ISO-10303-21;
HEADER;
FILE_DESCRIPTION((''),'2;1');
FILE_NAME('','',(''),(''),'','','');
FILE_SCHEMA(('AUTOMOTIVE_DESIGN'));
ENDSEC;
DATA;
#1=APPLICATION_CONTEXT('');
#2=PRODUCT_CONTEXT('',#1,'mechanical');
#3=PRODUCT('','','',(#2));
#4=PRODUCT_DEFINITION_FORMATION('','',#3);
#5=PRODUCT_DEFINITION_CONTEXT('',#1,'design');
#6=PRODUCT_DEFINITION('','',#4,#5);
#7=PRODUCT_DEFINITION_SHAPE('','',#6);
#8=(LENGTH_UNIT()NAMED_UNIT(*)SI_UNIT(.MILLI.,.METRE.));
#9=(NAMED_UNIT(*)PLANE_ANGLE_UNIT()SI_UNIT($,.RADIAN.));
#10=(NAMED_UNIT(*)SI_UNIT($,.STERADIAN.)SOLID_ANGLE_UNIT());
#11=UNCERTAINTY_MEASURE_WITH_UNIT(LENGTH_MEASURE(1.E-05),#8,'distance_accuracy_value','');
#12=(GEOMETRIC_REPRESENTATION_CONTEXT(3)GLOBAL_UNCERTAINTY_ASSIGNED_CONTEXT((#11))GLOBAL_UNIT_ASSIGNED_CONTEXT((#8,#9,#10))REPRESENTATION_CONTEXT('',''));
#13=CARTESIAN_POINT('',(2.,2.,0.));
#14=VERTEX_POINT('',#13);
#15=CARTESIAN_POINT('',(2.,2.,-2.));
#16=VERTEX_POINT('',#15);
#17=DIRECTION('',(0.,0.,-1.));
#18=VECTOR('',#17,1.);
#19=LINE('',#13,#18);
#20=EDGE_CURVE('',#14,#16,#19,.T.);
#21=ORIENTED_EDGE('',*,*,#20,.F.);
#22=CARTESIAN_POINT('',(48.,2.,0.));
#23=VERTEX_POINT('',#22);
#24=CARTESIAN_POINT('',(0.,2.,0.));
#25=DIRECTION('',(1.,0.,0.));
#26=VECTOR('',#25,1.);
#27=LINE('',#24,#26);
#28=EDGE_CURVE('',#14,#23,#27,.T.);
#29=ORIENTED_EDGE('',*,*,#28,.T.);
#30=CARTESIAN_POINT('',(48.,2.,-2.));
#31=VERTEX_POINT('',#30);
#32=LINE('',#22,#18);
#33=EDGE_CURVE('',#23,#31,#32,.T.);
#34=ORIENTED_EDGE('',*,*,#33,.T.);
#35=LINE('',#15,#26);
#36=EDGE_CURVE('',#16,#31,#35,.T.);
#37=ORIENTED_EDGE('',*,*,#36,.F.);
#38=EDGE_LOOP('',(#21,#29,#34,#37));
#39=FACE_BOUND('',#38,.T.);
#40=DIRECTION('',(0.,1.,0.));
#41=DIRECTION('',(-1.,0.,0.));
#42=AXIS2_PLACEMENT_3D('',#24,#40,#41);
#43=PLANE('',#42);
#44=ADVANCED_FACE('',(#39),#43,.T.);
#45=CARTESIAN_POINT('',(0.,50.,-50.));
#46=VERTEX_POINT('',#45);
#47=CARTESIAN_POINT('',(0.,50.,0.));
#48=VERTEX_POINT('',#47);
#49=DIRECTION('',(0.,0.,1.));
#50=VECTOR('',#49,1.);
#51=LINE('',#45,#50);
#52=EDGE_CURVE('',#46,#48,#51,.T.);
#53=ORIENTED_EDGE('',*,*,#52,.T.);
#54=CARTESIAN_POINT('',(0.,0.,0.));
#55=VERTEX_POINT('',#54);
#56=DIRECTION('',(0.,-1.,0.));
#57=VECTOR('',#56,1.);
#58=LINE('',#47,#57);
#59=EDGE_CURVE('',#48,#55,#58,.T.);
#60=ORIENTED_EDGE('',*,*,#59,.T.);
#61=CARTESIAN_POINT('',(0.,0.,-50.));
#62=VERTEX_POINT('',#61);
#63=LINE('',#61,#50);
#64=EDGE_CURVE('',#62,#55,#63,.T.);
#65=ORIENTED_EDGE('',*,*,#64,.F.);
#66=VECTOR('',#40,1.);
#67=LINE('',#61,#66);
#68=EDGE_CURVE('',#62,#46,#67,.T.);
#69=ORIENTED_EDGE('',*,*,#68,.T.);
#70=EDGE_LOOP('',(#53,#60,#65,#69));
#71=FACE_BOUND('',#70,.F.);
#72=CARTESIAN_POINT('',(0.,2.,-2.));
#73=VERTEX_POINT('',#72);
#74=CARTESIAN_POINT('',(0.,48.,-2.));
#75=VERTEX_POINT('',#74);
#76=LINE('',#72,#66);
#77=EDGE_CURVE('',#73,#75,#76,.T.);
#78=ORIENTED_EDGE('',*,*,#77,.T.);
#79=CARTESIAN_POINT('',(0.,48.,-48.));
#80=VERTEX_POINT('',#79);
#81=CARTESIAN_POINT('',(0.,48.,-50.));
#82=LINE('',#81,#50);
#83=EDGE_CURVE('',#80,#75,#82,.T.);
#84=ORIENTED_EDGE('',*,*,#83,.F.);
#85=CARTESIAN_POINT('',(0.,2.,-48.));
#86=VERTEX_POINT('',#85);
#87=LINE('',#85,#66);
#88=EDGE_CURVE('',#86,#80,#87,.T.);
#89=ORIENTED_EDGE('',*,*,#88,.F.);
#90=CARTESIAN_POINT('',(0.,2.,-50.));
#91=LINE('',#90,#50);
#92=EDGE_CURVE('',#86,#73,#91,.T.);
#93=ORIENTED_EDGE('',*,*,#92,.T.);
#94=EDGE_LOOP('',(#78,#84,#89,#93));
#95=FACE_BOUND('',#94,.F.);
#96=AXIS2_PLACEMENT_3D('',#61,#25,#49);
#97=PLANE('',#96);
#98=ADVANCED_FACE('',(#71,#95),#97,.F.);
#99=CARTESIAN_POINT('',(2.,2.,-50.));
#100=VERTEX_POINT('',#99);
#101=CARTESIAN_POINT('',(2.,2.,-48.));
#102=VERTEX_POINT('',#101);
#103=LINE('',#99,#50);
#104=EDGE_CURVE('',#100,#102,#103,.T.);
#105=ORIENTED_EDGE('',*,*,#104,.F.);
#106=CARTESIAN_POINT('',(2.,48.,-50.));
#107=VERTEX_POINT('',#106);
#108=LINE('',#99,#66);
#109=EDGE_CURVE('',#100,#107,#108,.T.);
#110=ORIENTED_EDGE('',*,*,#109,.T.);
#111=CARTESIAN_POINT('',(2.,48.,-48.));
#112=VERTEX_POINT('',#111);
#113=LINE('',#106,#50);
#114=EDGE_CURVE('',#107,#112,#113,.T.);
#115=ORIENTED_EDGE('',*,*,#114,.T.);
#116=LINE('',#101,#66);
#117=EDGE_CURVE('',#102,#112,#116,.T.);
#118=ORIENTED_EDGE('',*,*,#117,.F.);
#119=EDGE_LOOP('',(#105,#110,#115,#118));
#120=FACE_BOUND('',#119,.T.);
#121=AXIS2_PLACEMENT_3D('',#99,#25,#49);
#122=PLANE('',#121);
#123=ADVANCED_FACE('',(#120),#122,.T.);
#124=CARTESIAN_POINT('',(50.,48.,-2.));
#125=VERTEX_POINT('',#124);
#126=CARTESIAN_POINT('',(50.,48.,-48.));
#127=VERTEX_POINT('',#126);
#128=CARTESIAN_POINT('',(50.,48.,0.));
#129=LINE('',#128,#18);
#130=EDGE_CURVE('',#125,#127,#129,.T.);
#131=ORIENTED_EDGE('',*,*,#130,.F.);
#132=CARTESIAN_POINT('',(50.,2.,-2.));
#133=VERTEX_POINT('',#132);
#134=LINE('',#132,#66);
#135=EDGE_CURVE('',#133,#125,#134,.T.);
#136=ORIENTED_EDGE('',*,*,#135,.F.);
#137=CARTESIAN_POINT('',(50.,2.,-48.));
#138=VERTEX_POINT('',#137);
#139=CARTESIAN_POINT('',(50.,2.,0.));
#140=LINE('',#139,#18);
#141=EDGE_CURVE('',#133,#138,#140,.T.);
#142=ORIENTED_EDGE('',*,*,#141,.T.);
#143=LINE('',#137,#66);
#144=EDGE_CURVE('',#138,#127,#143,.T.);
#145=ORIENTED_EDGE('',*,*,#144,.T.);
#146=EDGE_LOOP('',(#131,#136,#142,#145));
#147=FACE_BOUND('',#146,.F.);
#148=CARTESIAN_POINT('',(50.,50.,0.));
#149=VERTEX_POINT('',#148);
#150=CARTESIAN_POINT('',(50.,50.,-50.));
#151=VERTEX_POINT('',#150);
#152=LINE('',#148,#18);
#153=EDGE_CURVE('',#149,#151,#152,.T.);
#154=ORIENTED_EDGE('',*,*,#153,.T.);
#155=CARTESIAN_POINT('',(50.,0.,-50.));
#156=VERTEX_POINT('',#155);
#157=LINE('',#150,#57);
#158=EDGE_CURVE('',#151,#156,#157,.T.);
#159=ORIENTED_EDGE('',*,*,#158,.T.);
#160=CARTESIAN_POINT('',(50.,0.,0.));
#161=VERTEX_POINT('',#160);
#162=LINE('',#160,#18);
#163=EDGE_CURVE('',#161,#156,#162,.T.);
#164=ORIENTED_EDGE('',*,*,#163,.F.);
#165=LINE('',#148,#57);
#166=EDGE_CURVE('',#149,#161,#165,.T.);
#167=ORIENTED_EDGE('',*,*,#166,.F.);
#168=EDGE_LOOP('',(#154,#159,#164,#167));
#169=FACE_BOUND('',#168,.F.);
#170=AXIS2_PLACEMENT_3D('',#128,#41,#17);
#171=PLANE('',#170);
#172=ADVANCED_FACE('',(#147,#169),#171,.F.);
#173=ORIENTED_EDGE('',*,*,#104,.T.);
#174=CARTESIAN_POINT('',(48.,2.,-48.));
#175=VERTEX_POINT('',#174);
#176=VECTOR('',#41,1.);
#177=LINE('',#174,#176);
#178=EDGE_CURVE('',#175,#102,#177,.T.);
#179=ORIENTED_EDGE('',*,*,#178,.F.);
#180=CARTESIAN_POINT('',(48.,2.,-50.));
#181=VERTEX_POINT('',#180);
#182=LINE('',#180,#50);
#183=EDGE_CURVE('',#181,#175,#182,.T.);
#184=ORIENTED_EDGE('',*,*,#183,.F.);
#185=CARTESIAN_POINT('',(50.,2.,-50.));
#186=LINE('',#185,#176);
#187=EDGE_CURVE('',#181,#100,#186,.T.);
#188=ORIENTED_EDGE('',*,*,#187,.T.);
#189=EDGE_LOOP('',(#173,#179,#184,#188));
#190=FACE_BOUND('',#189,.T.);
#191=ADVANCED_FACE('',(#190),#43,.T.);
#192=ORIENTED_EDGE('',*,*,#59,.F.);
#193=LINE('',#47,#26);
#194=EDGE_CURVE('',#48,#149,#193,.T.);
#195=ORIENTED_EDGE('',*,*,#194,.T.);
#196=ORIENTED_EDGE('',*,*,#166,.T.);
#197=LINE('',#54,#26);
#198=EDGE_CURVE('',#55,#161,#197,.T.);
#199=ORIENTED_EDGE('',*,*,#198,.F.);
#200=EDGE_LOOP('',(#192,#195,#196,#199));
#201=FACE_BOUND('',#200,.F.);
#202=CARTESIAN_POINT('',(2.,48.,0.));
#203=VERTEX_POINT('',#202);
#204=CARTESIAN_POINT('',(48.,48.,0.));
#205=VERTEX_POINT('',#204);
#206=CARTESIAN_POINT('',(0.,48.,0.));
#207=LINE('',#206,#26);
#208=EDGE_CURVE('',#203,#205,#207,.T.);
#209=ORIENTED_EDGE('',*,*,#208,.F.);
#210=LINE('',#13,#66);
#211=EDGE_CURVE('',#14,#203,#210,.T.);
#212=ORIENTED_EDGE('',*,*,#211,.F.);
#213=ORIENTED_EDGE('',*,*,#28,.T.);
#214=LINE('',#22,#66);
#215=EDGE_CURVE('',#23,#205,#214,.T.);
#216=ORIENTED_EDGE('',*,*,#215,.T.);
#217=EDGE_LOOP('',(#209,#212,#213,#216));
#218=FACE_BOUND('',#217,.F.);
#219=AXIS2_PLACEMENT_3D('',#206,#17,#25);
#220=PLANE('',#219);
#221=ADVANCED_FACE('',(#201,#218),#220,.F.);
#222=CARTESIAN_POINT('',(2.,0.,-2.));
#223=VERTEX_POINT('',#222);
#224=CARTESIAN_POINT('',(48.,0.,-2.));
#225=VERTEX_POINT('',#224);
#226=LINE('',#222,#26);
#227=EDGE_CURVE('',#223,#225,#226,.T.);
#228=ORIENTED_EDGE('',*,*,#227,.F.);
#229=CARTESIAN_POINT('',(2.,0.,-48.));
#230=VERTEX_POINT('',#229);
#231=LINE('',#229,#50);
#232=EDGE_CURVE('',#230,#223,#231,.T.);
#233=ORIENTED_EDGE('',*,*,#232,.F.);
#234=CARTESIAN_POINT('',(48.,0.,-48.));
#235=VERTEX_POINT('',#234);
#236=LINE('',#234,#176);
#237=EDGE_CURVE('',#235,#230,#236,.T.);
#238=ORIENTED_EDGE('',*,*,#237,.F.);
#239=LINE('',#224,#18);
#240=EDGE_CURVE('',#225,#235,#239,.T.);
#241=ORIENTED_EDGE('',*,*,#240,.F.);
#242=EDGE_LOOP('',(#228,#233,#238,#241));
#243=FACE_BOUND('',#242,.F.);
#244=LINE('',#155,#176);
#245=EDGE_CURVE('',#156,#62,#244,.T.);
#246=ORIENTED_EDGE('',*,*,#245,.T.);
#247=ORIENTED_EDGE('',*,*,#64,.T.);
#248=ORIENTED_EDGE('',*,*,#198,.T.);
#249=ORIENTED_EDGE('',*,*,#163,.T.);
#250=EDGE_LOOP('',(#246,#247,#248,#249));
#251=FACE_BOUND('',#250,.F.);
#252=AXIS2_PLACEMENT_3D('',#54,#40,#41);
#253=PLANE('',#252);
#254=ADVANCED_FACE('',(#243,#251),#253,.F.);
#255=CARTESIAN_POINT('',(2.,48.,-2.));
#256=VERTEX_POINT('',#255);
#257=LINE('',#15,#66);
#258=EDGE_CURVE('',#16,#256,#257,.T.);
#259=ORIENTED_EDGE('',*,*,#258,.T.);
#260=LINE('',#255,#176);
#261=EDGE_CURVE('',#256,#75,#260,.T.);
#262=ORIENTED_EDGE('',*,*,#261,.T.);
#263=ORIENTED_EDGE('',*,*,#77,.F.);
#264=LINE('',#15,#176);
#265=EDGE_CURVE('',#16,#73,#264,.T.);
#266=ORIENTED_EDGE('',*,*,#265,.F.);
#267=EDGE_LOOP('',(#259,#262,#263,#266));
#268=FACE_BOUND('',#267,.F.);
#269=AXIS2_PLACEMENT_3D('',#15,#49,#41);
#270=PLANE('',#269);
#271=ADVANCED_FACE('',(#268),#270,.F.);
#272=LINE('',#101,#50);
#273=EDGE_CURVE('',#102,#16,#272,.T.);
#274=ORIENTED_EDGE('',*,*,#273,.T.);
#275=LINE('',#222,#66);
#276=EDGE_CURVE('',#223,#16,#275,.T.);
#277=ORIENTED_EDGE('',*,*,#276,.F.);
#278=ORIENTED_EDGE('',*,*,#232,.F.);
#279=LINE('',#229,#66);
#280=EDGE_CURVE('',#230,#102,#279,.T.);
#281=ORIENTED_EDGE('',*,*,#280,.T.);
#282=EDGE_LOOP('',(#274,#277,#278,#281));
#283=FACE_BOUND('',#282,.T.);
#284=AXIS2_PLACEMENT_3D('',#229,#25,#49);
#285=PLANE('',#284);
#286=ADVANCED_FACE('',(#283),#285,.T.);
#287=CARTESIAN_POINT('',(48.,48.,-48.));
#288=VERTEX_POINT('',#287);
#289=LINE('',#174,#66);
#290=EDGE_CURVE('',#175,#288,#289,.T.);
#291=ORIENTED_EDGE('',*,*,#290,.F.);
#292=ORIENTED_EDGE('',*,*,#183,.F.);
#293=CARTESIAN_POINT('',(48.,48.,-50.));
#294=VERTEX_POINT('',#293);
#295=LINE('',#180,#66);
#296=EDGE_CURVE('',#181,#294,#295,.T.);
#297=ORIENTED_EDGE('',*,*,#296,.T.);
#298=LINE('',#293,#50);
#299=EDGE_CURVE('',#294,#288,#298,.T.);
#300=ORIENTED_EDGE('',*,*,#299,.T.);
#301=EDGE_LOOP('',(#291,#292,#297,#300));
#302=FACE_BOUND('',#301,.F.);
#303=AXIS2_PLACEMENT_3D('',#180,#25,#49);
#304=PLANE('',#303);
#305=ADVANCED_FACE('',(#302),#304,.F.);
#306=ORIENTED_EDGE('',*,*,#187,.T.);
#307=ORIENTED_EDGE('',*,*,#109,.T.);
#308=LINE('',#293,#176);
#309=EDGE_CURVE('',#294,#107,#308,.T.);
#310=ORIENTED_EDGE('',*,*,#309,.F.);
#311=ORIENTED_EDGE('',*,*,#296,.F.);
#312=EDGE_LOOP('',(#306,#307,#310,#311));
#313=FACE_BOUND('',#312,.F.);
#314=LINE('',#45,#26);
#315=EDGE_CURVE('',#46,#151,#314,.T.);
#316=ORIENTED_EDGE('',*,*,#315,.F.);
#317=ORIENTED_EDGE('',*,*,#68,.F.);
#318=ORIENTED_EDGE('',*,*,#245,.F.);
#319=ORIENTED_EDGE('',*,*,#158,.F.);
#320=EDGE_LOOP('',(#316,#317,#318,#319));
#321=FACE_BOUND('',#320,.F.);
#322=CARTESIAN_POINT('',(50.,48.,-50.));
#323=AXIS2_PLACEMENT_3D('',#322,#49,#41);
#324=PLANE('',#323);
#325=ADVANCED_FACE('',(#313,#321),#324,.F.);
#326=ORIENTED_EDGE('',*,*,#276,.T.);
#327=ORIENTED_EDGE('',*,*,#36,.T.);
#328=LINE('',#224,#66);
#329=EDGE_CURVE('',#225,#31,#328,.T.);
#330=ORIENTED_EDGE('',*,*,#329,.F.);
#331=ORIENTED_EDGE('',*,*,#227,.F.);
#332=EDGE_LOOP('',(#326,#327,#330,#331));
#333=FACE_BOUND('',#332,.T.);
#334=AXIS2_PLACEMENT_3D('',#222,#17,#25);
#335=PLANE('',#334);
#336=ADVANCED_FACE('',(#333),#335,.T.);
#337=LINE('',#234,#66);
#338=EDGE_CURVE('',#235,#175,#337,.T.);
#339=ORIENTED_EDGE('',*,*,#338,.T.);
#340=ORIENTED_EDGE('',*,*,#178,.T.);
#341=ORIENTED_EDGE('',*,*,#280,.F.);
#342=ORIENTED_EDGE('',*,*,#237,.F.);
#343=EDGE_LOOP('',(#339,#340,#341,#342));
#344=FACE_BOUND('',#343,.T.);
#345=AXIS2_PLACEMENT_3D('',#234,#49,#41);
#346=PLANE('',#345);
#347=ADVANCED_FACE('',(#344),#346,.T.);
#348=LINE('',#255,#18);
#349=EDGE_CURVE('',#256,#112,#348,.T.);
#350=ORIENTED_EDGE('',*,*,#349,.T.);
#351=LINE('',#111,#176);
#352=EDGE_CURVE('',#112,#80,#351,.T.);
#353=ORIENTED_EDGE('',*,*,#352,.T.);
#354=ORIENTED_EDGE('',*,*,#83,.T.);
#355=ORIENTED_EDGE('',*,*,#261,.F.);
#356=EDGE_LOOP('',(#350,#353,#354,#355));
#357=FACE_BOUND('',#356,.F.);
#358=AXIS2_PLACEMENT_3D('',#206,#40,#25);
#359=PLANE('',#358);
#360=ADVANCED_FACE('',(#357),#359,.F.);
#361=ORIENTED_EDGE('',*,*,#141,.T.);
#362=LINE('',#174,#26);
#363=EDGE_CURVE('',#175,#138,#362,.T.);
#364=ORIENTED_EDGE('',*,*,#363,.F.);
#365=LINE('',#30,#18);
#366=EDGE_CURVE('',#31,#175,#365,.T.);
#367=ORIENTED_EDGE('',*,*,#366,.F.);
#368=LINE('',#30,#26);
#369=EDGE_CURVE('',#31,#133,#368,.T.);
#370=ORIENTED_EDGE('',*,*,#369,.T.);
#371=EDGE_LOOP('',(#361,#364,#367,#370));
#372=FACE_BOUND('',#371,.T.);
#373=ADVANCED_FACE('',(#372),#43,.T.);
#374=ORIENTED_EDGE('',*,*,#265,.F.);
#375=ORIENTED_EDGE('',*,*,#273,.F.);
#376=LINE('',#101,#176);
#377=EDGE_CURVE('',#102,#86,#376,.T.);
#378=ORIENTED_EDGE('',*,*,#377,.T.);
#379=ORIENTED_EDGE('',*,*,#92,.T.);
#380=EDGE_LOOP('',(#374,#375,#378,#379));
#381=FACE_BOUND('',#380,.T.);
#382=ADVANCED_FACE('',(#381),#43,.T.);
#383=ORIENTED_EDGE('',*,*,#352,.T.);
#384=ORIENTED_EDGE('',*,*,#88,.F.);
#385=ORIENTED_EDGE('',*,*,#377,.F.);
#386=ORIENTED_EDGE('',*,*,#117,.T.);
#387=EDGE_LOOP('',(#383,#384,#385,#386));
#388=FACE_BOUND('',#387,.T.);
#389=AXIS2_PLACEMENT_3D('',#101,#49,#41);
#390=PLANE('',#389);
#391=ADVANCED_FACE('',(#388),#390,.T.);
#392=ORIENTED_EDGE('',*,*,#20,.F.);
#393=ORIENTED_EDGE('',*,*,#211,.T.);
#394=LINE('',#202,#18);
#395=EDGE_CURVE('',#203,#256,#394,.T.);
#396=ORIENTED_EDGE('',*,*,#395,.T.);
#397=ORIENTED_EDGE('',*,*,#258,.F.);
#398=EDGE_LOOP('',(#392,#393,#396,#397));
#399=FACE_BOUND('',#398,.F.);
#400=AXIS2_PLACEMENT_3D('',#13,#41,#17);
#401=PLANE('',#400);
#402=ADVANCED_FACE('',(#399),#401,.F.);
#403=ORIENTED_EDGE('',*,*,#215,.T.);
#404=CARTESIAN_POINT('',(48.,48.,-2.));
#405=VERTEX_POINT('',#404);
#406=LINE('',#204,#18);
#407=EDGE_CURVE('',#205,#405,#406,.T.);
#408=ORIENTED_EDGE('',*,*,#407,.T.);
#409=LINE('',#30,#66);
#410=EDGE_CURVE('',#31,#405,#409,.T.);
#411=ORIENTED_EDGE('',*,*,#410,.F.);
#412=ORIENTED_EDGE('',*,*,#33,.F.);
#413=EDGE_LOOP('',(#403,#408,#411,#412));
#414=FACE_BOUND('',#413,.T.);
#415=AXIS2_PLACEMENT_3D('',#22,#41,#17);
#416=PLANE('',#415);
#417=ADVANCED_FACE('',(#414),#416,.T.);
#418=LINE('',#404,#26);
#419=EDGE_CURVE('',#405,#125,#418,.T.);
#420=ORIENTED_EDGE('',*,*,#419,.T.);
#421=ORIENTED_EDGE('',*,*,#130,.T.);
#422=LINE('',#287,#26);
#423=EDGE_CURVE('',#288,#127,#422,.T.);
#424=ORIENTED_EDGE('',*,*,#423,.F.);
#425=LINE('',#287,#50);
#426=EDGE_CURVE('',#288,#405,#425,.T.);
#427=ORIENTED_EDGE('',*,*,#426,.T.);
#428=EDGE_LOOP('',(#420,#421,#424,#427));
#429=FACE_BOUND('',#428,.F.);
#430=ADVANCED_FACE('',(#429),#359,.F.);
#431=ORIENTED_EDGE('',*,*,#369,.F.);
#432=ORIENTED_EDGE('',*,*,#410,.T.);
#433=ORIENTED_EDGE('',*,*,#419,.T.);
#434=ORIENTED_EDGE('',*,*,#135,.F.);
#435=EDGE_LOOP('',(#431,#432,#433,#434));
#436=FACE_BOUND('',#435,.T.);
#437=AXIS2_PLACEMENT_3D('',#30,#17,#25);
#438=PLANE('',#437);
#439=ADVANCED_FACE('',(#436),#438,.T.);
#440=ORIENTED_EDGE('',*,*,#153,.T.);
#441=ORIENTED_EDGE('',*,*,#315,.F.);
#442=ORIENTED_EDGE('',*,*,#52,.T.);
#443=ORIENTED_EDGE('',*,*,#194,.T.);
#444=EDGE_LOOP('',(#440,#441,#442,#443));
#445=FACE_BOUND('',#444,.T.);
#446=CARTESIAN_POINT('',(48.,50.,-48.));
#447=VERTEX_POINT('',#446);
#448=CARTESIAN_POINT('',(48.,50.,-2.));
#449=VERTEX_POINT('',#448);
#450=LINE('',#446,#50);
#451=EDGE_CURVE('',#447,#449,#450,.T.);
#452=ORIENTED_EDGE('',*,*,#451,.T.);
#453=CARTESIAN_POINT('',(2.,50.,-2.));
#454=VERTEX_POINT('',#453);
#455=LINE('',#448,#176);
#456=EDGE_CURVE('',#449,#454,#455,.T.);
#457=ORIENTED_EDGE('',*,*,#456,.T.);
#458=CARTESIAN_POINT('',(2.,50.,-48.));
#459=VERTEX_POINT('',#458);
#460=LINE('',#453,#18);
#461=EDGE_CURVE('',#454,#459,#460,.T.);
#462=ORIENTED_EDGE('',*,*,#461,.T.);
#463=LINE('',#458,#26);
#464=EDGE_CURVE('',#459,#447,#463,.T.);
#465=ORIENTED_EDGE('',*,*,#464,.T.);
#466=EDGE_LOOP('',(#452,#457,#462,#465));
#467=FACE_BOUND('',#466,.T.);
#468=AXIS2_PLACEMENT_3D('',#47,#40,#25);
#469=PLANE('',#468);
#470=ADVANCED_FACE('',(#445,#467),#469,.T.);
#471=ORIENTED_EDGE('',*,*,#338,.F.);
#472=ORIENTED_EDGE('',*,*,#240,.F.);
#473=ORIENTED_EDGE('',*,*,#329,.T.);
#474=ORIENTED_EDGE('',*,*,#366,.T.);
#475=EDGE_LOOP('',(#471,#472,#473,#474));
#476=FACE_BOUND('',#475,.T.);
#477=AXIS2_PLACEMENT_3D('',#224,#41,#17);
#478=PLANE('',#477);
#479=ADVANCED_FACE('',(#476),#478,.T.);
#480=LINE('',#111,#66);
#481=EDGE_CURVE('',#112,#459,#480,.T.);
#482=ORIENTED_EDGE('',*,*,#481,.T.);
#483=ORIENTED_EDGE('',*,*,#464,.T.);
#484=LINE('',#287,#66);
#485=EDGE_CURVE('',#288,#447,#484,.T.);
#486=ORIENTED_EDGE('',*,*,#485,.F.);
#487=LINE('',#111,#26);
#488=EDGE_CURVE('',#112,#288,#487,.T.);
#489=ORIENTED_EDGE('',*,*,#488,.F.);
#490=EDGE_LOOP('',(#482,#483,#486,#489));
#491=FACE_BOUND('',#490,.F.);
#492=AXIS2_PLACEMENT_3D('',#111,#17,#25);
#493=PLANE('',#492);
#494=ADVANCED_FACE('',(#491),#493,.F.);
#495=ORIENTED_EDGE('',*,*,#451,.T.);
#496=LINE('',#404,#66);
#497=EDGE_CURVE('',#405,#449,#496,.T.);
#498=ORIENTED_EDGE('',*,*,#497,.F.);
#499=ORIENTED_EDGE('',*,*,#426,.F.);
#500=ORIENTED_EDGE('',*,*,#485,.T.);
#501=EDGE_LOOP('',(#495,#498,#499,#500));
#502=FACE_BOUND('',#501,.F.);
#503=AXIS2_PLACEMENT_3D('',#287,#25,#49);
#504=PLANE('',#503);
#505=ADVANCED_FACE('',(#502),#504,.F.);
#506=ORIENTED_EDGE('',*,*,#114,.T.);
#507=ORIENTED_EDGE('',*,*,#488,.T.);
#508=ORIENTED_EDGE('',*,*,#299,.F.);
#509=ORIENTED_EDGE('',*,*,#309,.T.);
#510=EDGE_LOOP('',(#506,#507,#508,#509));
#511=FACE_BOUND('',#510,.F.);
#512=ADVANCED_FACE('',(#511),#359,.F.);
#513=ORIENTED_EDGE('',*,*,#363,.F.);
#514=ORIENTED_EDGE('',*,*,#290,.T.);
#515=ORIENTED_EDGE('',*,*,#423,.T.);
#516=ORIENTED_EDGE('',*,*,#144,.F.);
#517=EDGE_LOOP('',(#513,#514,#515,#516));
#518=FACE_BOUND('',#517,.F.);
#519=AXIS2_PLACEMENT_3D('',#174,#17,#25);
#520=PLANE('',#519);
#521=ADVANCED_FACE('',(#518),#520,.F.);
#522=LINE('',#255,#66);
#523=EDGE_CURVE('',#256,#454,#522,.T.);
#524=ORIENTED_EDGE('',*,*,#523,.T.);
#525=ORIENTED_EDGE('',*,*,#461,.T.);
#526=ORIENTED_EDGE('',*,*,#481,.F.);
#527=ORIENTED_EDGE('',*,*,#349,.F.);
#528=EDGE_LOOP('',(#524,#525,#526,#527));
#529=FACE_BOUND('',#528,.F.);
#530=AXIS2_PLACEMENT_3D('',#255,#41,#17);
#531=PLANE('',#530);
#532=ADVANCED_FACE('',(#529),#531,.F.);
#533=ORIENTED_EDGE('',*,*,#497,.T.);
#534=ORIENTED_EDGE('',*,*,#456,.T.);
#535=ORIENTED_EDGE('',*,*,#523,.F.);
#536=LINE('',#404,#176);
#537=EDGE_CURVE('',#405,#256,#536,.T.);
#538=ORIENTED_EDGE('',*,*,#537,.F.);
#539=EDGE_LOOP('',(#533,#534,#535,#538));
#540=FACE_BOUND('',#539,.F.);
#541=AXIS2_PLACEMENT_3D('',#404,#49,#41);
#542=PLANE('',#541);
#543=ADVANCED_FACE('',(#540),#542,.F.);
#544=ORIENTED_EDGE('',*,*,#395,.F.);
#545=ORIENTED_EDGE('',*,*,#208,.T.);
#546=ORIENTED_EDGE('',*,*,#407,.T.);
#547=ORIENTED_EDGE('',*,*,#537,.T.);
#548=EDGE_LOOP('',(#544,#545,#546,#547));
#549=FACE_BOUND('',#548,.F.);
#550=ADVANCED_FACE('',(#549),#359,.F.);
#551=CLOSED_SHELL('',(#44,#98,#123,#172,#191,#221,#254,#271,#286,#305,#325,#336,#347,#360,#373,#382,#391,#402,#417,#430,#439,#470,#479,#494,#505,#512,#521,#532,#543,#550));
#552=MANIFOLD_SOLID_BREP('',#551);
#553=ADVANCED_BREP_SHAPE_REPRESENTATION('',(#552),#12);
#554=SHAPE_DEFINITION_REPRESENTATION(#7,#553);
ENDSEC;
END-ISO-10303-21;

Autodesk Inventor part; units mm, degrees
ref_plane "YZ Plane" through (0, 0, 0) normal (1, 0, 0) x (0, 1, 0)
ref_plane "XZ Plane" through (0, 0, 0) normal (0, 1, 0) x (-1, 0, 0)
ref_plane "XY Plane" through (0, 0, 0) normal (0, 0, 1) x (1, 0, 0)
sketch "Szkic1" plane through (0, 0, 0) normal (0, 1, 0) x (-1, 0, 0)
  line L0 (0, 0) -> (-50, 0)
  line L1 (-50, 0) -> (-50, -50)
  line L2 (-50, -50) -> (0, -50)
  line L3 (0, -50) -> (0, 0)
  line L4 (-2, -2) -> (-48, -2)
  line L5 (-48, -2) -> (-48, -48)
  line L6 (-48, -48) -> (-2, -48)
  line L7 (-2, -48) -> (-2, -2)
  dimension "d0" = 50
  dimension "d1" = 50
  dimension "d2" = 2
extrude "Wyciągnięcie proste1" add sketch "Szkic1" along normal blind 2
sketch "Szkic2" plane through (0, 2, 0) normal (0, 1, 0) x (1, 0, 0)
  line L0 (50, 0) -> (50, 50) projected
  line L1 (50, 50) -> (0, 50) projected
  line L2 (0, 50) -> (0, 0) projected
  line L3 (0, 0) -> (50, 0) projected
  line L4 (2, 2) -> (2, 48) projected
  line L5 (2, 48) -> (48, 48) projected
  line L6 (48, 48) -> (48, 2) projected
  line L7 (48, 2) -> (2, 2) projected
  line L8 (0, 50) -> (0, 0) projected
  line L9 (0, 0) -> (2, 0)
  line L10 (2, 0) -> (2, 2)
  line L11 (2, 2) -> (0, 2)
  line L12 (0, 2) -> (0, 0)
  line L13 (2, 48) -> (0, 48)
  line L14 (0, 48) -> (0, 50)
  line L15 (0, 50) -> (2, 50)
  line L16 (2, 50) -> (2, 48)
  line L17 (0, 0) -> (50, 0) projected
  line L18 (50, 0) -> (48, 0)
  line L19 (48, 0) -> (48, 2)
  line L20 (48, 2) -> (50, 2)
  line L21 (50, 2) -> (50, 0)
  line L22 (2, 48) -> (48, 48) projected
  line L23 (48, 48) -> (50, 48)
  line L24 (50, 48) -> (50, 50)
  line L25 (50, 50) -> (48, 50)
  line L26 (48, 50) -> (48, 48)
extrude "Wyciągnięcie proste2" add sketch "Szkic2" along normal blind 46 contours L3 L19 L20 L0 | L23 L26 L1 L0 | L3 L2 L11 L10 | L13 L2 L1 L16
sketch "Szkic3" plane through (0, 48, 0) normal (0, 1, 0) x (1, 0, 0)
  line L0 (48, 50) -> (2, 50) projected
  line L1 (50, 0) -> (50, 50) projected
  line L2 (0, 0) -> (50, 0) projected
  line L3 (0, 50) -> (0, 0) projected
  line L4 (50, 50) -> (0, 50) projected
  line L5 (2, 2) -> (2, 48) projected
  line L6 (48, 2) -> (2, 2) projected
  line L7 (48, 48) -> (48, 2) projected
  line L8 (2, 48) -> (48, 48) projected
extrude "Wyciągnięcie proste3" add sketch "Szkic3" along normal blind 2
properties part number "wymiar"
